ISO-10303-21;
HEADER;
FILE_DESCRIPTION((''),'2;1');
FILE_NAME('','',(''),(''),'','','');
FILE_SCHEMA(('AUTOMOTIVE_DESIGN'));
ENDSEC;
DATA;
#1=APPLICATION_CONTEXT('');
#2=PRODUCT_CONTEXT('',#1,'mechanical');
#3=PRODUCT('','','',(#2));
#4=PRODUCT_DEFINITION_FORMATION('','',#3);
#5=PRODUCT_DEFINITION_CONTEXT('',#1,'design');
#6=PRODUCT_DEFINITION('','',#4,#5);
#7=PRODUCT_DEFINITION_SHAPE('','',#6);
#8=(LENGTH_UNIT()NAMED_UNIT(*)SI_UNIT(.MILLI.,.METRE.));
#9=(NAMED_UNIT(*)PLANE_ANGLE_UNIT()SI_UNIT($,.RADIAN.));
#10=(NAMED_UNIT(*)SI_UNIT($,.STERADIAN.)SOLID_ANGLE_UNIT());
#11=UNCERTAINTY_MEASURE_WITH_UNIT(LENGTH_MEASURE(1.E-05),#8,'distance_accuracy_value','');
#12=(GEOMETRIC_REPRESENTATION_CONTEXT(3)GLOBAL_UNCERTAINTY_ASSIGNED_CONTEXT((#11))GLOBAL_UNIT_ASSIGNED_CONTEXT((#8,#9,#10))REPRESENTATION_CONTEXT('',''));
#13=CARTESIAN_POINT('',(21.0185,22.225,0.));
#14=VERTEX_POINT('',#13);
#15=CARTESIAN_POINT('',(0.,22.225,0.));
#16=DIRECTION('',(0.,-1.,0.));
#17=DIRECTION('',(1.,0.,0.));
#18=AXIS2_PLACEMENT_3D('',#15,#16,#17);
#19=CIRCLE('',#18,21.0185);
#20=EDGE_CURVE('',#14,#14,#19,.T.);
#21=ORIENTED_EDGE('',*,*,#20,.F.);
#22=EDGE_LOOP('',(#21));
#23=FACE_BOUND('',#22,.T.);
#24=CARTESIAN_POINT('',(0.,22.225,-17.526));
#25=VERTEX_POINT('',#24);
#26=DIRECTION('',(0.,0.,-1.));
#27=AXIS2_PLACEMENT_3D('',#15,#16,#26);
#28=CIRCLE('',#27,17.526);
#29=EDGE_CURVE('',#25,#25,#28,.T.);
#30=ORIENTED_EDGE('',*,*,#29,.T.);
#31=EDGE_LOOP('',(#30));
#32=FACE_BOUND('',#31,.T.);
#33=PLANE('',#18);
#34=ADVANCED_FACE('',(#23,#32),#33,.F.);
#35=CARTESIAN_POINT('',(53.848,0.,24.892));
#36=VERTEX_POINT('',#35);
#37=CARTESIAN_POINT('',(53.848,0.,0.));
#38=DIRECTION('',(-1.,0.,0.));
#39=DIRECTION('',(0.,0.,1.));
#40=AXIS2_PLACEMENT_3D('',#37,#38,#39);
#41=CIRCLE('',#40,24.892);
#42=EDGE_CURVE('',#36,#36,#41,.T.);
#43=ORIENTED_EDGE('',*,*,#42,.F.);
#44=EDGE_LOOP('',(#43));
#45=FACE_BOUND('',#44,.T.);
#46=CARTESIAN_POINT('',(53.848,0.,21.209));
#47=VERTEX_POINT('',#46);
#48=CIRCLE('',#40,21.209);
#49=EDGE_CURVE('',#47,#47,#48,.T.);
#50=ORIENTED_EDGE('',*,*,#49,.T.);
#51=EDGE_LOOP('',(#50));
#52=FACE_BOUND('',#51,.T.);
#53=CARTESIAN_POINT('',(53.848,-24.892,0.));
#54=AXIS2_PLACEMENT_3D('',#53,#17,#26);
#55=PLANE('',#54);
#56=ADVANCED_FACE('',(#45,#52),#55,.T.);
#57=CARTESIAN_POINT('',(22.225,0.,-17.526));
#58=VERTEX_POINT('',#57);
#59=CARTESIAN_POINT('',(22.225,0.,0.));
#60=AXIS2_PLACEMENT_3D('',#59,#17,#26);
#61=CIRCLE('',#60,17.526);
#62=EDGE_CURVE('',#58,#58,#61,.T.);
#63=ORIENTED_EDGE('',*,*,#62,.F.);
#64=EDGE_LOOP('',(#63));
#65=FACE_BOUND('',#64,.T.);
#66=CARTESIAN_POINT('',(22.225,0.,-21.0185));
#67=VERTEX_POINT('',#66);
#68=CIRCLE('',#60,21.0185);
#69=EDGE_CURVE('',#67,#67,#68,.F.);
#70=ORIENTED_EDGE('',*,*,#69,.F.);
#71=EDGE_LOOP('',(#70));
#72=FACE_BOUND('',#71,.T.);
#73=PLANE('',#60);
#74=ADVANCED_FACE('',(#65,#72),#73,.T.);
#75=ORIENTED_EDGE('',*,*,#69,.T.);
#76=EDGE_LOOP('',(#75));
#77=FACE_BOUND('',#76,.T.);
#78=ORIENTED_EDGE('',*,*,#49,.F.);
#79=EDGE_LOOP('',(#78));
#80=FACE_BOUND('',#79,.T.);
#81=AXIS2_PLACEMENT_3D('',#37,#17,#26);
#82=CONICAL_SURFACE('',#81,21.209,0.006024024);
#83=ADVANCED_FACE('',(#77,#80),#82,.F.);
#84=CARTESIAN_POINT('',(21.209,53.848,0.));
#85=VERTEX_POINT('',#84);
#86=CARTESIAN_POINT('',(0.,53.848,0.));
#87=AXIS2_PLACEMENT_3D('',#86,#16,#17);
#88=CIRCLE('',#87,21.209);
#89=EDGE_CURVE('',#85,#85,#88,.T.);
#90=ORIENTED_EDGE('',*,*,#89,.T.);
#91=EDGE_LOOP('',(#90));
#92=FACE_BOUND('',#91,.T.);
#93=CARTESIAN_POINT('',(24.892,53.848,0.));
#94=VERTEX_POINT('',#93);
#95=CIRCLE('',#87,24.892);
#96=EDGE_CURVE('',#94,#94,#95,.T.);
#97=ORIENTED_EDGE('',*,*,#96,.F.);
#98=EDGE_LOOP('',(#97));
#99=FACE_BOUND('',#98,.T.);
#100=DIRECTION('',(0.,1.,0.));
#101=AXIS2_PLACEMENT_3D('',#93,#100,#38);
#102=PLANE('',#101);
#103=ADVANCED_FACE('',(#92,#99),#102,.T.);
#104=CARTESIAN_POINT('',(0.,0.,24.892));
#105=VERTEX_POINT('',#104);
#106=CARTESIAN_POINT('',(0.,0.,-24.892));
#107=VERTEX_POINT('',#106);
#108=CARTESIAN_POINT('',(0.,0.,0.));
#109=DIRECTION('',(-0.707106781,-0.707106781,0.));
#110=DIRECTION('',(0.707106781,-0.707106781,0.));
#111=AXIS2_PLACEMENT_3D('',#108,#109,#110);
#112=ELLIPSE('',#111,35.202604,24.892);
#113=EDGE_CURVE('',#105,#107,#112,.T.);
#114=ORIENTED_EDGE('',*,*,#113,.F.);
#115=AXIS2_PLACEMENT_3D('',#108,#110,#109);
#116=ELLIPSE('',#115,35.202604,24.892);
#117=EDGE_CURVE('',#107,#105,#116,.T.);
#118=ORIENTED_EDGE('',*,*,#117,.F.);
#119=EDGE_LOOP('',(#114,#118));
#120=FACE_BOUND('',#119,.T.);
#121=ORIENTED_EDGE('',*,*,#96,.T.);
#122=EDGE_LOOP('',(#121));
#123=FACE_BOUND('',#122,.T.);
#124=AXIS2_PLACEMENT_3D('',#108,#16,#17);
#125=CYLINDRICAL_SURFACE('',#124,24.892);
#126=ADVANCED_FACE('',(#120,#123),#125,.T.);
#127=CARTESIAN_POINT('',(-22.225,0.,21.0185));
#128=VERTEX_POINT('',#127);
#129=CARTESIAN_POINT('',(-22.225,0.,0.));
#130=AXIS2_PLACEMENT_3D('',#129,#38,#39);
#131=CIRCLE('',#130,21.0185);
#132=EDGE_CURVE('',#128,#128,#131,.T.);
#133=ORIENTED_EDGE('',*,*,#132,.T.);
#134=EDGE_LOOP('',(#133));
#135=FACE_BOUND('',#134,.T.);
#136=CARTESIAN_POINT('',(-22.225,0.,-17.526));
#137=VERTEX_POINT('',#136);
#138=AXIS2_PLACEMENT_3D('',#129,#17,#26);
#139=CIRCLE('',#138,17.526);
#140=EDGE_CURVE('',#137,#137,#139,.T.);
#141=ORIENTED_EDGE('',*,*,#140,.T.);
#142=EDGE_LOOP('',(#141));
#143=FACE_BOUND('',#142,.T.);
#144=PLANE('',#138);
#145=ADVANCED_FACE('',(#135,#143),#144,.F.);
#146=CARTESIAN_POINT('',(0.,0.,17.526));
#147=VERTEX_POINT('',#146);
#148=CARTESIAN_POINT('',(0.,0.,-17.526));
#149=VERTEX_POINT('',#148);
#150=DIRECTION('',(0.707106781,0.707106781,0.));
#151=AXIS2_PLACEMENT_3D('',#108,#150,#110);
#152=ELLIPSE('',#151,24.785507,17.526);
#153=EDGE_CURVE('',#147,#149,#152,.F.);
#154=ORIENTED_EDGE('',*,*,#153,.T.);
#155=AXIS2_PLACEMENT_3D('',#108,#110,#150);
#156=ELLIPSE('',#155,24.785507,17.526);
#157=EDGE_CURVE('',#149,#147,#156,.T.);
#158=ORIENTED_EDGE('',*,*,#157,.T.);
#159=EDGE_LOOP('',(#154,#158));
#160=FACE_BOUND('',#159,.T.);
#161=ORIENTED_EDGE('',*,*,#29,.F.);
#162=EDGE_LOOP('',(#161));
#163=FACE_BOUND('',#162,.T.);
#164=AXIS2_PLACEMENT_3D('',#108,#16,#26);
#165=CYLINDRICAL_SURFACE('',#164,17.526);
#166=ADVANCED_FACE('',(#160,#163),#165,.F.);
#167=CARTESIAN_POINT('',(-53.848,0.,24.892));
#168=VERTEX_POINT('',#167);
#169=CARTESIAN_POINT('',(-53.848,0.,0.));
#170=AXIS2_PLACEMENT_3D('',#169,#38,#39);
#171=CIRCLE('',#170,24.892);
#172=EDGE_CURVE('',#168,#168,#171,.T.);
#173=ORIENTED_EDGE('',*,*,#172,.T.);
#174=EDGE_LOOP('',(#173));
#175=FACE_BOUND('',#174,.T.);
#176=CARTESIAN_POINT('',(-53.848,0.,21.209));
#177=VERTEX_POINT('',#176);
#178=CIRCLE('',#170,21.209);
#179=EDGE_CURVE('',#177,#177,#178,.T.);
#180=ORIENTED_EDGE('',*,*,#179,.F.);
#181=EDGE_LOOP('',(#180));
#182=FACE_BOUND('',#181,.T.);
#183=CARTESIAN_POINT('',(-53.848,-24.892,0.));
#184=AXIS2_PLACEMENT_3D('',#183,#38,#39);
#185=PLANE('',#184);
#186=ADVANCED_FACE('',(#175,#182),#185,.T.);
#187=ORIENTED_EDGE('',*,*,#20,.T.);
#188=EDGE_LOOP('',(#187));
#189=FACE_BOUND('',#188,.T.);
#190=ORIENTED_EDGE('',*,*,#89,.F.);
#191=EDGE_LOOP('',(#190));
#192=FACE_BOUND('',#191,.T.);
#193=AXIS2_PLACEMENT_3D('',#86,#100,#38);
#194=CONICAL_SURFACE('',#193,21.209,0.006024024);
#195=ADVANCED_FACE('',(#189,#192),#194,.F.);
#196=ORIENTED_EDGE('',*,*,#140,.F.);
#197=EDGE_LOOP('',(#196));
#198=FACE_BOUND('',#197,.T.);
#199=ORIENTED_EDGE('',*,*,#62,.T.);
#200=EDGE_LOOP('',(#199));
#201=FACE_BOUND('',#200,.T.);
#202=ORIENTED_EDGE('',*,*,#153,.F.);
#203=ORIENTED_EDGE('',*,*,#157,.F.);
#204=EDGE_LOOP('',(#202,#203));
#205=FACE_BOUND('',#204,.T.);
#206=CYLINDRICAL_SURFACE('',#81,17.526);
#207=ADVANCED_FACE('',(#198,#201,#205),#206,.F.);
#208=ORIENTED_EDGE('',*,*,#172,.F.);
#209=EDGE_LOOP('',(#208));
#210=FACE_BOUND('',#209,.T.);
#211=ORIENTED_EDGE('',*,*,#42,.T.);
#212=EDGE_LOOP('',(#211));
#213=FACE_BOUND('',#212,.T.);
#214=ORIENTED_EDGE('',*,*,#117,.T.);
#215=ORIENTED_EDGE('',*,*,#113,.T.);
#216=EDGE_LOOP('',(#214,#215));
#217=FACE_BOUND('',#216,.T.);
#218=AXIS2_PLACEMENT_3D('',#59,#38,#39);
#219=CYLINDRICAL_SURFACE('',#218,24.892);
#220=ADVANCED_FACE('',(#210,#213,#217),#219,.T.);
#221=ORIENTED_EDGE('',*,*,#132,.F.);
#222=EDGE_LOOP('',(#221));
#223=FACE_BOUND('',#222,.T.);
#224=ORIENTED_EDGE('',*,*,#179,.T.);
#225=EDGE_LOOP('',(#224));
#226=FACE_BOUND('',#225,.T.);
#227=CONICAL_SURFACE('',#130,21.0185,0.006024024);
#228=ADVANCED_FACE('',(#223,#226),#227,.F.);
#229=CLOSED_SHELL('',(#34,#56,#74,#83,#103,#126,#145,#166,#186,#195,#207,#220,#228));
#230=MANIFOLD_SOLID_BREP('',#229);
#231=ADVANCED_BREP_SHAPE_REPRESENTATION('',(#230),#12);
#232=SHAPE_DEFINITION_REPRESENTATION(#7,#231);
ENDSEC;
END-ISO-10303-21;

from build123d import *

# Parameters (mm, degrees)
SKETCH4_R           = 24.892
BOSS_EXTRUDE1_DEPTH = 44.45
SKETCH5_R           = 24.892
BOSS_EXTRUDE2_DEPTH = 22.225


with BuildPart() as part:
    # Sketch1 → Revolve1 (revolve)
    with BuildSketch(Plane.XY):
        Polygon((-53.848, -24.892), (-22.225, -24.892), (-22.225, -21.0185), (-53.848, -21.209), align=None)
        Polygon((53.848, -21.209), (22.225, -21.0185), (22.225, -24.892), (53.848, -24.892), align=None)
    revolve(axis=Axis((-53.848, 0, 0), (1, 0, 0)))



with BuildPart() as body_2:
    # Sketch2 → Revolve2 (revolve)
    with BuildSketch(Plane.XY):
        Polygon((21.209, 53.848), (21.0185, 22.225), (24.892, 22.225), (24.892, 53.848), align=None)
    revolve(axis=Axis((0, 0, 0), (0, 1, 0)))


with BuildPart() as part_1:
    add(part.part)

    add(body_2.part)  # Boss-Extrude1 merges body 2
    # Sketch4 → Boss-Extrude1 (add)
    with BuildSketch(Plane(origin=(-22.225, 0, 0), x_dir=(0, 0, -1), z_dir=(1, 0, 0))):
        Circle(SKETCH4_R)
    extrude(amount=BOSS_EXTRUDE1_DEPTH)

    # Sketch5 → Boss-Extrude2 (add)
    with BuildSketch(Plane.XZ.offset(-22.225)):
        Circle(SKETCH5_R)
    extrude(amount=BOSS_EXTRUDE2_DEPTH)

    # Sketch6 → Cut-Revolve1 (revolve, cut)
    with BuildSketch(Plane.XY):
        Polygon((-53.848, -21.209), (-22.225, -21.0185), (-22.225, -17.526), (22.225, -17.526), (22.225, -21.0185), (53.848, -21.209), (53.848, 0), (-53.848, 0), align=None)
    revolve(axis=Axis((53.848, 0, 0), (-1, 0, 0)), mode=Mode.SUBTRACT)

    # Sketch7 → Cut-Revolve2 (revolve, cut)
    with BuildSketch(Plane.XY):
        Polygon((21.209, 53.848), (21.0185, 22.225), (17.526, 22.225), (17.526, 0), (0, 0), (0, 53.848), align=None)
    revolve(axis=Axis((0, 0, 0), (0, 1, 0)), mode=Mode.SUBTRACT)


solid = part_1.part
